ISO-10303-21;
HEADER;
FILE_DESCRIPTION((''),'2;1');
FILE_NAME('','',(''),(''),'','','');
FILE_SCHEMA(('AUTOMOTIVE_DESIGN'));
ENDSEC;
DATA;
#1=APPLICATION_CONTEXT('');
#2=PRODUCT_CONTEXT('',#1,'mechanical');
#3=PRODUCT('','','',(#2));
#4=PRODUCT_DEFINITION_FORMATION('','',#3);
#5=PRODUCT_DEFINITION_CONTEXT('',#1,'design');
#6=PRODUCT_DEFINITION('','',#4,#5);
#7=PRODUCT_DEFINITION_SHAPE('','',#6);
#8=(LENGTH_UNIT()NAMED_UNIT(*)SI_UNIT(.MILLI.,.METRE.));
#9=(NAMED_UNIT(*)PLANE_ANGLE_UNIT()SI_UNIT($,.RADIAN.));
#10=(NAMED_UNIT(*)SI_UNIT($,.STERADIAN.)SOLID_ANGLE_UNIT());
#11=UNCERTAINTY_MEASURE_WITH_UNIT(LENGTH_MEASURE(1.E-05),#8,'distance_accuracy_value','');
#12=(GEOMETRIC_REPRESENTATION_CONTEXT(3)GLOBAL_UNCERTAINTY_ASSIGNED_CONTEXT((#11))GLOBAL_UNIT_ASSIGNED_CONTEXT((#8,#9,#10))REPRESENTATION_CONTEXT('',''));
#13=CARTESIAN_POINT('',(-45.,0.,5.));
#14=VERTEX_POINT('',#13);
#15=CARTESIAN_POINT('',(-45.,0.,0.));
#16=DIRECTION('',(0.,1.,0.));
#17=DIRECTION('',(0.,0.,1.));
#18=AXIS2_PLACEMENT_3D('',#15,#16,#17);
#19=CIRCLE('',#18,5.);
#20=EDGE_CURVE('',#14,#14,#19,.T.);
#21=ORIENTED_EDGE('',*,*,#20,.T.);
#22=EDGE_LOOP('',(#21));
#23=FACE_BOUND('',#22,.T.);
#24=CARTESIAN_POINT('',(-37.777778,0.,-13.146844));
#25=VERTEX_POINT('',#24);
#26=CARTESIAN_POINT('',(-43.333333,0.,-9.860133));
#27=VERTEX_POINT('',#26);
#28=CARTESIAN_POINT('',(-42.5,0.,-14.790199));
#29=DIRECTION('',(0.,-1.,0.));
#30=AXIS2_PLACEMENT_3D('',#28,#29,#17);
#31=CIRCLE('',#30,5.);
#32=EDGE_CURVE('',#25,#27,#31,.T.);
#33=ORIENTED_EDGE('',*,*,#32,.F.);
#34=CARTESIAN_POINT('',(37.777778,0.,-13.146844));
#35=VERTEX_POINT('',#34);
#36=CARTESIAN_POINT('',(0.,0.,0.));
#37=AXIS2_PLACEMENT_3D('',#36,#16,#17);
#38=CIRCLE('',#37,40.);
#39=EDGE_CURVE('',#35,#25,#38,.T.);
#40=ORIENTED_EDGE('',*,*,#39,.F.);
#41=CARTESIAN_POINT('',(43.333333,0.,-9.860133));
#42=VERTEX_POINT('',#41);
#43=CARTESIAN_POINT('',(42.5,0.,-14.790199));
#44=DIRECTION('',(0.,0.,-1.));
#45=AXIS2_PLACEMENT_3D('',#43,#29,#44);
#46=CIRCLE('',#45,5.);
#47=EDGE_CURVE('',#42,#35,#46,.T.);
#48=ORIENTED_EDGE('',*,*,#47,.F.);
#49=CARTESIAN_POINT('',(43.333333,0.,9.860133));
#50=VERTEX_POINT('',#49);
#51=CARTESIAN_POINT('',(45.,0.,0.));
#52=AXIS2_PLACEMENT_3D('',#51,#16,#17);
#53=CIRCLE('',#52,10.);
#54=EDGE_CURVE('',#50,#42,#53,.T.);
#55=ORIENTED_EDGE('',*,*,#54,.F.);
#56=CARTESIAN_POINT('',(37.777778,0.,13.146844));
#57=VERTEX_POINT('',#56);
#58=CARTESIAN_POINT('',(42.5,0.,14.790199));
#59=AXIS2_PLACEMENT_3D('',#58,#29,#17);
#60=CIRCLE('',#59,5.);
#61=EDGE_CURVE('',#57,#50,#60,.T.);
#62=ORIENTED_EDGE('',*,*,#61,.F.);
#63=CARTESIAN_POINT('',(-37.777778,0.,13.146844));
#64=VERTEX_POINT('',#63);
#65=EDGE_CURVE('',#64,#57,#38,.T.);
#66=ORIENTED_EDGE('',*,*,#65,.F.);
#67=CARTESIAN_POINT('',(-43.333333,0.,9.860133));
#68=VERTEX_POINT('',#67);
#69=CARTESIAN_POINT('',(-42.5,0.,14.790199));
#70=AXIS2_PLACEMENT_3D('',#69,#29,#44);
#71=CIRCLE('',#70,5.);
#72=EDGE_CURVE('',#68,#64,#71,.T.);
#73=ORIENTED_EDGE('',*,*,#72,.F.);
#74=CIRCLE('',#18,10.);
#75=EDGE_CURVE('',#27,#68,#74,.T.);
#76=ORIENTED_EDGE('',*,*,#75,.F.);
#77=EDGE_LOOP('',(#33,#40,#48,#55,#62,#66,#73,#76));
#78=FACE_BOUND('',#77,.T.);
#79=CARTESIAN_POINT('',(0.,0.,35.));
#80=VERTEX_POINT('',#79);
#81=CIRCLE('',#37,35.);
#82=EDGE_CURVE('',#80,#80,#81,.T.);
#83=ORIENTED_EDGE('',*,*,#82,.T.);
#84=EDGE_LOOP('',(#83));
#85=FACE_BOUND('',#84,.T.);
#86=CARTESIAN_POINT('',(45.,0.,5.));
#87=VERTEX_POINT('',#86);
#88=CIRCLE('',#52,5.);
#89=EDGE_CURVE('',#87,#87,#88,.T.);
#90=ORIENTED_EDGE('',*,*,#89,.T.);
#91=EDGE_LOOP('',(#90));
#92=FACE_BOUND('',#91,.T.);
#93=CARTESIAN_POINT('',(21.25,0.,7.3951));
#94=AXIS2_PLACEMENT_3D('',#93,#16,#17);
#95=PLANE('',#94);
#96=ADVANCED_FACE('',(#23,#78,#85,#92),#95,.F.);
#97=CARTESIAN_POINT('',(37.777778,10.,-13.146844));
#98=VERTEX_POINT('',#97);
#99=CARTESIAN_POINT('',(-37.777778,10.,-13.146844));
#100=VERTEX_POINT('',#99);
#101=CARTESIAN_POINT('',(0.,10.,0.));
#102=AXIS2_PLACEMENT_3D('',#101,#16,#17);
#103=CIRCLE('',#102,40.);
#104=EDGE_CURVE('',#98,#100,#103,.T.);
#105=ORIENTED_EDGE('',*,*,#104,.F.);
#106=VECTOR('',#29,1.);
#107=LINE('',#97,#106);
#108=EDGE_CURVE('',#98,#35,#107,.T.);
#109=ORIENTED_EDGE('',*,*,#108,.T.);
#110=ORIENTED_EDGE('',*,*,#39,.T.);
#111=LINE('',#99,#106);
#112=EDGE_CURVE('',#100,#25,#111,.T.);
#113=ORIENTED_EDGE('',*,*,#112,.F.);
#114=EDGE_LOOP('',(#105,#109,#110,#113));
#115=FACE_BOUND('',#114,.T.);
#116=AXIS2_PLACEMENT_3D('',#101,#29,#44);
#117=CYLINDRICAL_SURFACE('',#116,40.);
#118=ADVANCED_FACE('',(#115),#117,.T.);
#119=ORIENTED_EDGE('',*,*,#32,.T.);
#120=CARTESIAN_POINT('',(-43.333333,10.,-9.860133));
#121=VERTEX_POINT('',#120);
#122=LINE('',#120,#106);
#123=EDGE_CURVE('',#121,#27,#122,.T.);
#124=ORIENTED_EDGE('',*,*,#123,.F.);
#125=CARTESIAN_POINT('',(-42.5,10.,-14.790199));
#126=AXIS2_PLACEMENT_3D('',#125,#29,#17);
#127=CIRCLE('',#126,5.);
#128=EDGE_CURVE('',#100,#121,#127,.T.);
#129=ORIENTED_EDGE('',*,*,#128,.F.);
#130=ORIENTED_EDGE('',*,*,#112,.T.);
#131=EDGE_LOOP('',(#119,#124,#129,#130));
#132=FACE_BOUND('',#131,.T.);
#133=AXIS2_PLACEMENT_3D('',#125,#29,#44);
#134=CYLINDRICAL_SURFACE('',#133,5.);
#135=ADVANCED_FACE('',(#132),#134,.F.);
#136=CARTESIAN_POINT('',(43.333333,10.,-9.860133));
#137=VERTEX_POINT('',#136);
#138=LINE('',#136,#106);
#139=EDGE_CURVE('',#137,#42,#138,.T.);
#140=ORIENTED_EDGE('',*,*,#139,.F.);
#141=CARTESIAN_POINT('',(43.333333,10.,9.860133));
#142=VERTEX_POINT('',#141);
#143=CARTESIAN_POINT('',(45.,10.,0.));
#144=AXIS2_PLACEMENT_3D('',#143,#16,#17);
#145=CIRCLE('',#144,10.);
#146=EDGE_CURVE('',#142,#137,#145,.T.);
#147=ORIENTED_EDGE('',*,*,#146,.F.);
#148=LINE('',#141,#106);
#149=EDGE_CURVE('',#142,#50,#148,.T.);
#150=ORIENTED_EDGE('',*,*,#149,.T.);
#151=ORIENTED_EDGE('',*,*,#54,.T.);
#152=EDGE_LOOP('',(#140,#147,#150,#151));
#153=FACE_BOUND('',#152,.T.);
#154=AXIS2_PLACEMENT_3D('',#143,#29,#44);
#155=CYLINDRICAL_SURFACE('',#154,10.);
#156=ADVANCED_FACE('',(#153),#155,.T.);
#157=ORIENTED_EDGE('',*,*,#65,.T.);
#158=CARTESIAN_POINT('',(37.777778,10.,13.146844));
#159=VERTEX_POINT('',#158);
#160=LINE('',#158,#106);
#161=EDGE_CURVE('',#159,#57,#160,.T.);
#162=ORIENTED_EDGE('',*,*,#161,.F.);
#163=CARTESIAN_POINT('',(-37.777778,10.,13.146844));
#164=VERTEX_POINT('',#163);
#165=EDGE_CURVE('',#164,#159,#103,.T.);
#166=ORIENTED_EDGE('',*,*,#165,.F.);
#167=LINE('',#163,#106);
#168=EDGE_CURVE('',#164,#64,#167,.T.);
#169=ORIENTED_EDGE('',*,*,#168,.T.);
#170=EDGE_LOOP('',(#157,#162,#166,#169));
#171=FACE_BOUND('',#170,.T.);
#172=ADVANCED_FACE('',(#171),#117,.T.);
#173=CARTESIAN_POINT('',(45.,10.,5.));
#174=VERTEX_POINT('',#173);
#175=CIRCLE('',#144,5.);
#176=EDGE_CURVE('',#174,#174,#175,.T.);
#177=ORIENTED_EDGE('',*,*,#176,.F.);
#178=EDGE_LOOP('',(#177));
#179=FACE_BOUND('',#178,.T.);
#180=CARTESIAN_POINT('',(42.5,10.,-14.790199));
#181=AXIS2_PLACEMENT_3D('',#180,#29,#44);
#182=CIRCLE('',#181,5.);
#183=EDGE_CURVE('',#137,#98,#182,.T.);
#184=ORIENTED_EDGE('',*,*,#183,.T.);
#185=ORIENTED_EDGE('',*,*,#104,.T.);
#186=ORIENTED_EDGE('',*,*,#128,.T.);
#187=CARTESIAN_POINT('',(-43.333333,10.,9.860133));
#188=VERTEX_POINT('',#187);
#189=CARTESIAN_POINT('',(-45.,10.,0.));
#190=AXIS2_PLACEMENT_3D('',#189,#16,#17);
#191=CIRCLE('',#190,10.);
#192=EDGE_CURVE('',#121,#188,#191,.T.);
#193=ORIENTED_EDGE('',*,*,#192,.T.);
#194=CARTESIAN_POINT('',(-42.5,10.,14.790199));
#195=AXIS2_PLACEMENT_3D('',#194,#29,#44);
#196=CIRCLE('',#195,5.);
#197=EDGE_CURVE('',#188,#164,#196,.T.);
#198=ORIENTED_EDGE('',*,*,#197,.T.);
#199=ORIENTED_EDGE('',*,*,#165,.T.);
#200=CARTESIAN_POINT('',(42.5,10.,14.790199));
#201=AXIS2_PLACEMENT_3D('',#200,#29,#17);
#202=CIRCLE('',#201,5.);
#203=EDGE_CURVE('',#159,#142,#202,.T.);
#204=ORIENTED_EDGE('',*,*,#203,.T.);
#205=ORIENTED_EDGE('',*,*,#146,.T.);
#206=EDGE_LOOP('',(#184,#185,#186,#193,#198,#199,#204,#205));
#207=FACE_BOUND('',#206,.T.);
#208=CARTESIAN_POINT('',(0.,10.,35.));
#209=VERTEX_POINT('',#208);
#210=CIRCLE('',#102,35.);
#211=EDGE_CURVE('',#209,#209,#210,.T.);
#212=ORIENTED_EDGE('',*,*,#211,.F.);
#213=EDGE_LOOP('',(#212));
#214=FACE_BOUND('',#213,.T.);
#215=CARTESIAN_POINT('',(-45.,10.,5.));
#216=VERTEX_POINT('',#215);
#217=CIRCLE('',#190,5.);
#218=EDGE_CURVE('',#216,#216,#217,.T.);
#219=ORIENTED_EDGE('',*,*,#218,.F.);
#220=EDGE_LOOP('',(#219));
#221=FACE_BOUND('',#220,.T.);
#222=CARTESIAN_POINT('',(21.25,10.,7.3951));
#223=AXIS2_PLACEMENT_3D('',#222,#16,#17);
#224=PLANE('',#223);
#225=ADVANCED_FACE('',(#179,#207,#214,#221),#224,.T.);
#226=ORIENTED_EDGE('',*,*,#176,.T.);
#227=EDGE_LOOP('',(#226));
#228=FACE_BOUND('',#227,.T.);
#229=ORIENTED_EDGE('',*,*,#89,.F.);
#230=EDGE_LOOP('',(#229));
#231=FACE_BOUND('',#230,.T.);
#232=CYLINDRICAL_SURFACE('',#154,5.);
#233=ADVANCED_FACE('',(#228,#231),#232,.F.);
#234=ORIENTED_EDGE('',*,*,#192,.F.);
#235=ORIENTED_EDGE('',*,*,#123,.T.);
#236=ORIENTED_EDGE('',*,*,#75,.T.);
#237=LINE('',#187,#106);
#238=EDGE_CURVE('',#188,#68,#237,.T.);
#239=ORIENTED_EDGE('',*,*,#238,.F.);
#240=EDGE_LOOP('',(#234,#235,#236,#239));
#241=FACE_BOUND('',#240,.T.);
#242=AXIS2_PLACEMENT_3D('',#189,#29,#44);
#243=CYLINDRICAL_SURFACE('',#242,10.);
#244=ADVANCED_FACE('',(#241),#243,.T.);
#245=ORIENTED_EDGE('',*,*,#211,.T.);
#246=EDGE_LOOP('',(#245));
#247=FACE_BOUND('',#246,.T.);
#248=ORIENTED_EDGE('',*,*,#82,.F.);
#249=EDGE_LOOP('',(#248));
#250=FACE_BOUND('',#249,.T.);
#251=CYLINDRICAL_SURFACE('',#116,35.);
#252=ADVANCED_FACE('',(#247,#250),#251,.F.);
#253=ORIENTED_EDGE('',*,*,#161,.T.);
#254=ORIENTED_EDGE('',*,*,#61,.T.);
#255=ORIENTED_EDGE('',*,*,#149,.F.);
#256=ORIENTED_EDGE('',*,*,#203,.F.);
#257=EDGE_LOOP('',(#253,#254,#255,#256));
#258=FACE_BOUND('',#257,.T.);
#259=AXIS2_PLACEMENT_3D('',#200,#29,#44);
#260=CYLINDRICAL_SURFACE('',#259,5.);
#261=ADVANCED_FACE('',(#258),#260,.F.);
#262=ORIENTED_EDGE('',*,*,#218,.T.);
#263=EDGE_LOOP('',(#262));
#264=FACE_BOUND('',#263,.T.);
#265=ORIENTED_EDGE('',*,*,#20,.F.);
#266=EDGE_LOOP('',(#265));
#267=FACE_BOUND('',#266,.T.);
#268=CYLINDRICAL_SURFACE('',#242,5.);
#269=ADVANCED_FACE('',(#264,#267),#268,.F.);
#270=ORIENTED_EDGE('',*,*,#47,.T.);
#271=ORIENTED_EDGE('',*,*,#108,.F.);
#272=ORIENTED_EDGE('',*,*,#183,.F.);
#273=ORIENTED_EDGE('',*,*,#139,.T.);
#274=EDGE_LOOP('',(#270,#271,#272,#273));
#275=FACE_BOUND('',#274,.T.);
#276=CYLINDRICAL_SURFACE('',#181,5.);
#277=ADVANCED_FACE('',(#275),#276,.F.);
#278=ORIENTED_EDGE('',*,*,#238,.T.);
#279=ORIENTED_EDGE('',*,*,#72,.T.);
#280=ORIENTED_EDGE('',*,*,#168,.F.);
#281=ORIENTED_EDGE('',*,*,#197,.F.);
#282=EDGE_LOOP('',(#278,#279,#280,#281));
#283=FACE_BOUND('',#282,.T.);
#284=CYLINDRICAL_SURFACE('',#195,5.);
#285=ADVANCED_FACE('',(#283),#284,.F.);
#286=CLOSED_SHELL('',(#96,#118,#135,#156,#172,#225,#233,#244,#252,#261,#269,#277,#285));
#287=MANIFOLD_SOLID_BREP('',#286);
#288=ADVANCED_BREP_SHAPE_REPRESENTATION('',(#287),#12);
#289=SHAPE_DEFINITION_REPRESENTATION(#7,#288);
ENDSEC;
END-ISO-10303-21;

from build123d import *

# Parameters (mm, degrees)
SKETCH1_R           = 35
SKETCH1_R_2         = 5
BOSS_EXTRUDE1_DEPTH = 10


with BuildPart() as part:
    # Sketch1 → Boss-Extrude1 (new body)
    with BuildSketch(Plane(origin=(0, 0, 0), x_dir=(1, 0, 0), z_dir=(0, 1, 0))):
        with BuildLine():
            ThreePointArc((-37.777777778, -13.146843962), (0, -40), (37.777777778, -13.146843962))
            ThreePointArc((37.777777778, -13.146843962), (39.954124614, -10.486884629), (43.333333333, -9.860132972))
            ThreePointArc((43.333333333, -9.860132972), (55, 0), (43.333333333, 9.860132972))
            ThreePointArc((43.333333333, 9.860132972), (39.954124614, 10.486884629), (37.777777778, 13.146843962))
            ThreePointArc((37.777777778, 13.146843962), (0, 40), (-37.777777778, 13.146843962))
            ThreePointArc((-37.777777778, 13.146843962), (-39.954124614, 10.486884629), (-43.333333333, 9.860132972))
            ThreePointArc((-43.333333333, 9.860132972), (-55, 0), (-43.333333333, -9.860132972))
            ThreePointArc((-43.333333333, -9.860132972), (-39.954124614, -10.486884629), (-37.777777778, -13.146843962))
        make_face()
        with Locations(Location((0, 0, 0), (0, 0, 270))):
            Circle(SKETCH1_R, mode=Mode.SUBTRACT)
        with Locations(Location((-45, 0, 0), (0, 0, 270))):
            Circle(SKETCH1_R_2, mode=Mode.SUBTRACT)
        with Locations(Location((45, 0, 0), (0, 0, 270))):
            Circle(SKETCH1_R_2, mode=Mode.SUBTRACT)
    extrude(amount=BOSS_EXTRUDE1_DEPTH)


solid = part.part
